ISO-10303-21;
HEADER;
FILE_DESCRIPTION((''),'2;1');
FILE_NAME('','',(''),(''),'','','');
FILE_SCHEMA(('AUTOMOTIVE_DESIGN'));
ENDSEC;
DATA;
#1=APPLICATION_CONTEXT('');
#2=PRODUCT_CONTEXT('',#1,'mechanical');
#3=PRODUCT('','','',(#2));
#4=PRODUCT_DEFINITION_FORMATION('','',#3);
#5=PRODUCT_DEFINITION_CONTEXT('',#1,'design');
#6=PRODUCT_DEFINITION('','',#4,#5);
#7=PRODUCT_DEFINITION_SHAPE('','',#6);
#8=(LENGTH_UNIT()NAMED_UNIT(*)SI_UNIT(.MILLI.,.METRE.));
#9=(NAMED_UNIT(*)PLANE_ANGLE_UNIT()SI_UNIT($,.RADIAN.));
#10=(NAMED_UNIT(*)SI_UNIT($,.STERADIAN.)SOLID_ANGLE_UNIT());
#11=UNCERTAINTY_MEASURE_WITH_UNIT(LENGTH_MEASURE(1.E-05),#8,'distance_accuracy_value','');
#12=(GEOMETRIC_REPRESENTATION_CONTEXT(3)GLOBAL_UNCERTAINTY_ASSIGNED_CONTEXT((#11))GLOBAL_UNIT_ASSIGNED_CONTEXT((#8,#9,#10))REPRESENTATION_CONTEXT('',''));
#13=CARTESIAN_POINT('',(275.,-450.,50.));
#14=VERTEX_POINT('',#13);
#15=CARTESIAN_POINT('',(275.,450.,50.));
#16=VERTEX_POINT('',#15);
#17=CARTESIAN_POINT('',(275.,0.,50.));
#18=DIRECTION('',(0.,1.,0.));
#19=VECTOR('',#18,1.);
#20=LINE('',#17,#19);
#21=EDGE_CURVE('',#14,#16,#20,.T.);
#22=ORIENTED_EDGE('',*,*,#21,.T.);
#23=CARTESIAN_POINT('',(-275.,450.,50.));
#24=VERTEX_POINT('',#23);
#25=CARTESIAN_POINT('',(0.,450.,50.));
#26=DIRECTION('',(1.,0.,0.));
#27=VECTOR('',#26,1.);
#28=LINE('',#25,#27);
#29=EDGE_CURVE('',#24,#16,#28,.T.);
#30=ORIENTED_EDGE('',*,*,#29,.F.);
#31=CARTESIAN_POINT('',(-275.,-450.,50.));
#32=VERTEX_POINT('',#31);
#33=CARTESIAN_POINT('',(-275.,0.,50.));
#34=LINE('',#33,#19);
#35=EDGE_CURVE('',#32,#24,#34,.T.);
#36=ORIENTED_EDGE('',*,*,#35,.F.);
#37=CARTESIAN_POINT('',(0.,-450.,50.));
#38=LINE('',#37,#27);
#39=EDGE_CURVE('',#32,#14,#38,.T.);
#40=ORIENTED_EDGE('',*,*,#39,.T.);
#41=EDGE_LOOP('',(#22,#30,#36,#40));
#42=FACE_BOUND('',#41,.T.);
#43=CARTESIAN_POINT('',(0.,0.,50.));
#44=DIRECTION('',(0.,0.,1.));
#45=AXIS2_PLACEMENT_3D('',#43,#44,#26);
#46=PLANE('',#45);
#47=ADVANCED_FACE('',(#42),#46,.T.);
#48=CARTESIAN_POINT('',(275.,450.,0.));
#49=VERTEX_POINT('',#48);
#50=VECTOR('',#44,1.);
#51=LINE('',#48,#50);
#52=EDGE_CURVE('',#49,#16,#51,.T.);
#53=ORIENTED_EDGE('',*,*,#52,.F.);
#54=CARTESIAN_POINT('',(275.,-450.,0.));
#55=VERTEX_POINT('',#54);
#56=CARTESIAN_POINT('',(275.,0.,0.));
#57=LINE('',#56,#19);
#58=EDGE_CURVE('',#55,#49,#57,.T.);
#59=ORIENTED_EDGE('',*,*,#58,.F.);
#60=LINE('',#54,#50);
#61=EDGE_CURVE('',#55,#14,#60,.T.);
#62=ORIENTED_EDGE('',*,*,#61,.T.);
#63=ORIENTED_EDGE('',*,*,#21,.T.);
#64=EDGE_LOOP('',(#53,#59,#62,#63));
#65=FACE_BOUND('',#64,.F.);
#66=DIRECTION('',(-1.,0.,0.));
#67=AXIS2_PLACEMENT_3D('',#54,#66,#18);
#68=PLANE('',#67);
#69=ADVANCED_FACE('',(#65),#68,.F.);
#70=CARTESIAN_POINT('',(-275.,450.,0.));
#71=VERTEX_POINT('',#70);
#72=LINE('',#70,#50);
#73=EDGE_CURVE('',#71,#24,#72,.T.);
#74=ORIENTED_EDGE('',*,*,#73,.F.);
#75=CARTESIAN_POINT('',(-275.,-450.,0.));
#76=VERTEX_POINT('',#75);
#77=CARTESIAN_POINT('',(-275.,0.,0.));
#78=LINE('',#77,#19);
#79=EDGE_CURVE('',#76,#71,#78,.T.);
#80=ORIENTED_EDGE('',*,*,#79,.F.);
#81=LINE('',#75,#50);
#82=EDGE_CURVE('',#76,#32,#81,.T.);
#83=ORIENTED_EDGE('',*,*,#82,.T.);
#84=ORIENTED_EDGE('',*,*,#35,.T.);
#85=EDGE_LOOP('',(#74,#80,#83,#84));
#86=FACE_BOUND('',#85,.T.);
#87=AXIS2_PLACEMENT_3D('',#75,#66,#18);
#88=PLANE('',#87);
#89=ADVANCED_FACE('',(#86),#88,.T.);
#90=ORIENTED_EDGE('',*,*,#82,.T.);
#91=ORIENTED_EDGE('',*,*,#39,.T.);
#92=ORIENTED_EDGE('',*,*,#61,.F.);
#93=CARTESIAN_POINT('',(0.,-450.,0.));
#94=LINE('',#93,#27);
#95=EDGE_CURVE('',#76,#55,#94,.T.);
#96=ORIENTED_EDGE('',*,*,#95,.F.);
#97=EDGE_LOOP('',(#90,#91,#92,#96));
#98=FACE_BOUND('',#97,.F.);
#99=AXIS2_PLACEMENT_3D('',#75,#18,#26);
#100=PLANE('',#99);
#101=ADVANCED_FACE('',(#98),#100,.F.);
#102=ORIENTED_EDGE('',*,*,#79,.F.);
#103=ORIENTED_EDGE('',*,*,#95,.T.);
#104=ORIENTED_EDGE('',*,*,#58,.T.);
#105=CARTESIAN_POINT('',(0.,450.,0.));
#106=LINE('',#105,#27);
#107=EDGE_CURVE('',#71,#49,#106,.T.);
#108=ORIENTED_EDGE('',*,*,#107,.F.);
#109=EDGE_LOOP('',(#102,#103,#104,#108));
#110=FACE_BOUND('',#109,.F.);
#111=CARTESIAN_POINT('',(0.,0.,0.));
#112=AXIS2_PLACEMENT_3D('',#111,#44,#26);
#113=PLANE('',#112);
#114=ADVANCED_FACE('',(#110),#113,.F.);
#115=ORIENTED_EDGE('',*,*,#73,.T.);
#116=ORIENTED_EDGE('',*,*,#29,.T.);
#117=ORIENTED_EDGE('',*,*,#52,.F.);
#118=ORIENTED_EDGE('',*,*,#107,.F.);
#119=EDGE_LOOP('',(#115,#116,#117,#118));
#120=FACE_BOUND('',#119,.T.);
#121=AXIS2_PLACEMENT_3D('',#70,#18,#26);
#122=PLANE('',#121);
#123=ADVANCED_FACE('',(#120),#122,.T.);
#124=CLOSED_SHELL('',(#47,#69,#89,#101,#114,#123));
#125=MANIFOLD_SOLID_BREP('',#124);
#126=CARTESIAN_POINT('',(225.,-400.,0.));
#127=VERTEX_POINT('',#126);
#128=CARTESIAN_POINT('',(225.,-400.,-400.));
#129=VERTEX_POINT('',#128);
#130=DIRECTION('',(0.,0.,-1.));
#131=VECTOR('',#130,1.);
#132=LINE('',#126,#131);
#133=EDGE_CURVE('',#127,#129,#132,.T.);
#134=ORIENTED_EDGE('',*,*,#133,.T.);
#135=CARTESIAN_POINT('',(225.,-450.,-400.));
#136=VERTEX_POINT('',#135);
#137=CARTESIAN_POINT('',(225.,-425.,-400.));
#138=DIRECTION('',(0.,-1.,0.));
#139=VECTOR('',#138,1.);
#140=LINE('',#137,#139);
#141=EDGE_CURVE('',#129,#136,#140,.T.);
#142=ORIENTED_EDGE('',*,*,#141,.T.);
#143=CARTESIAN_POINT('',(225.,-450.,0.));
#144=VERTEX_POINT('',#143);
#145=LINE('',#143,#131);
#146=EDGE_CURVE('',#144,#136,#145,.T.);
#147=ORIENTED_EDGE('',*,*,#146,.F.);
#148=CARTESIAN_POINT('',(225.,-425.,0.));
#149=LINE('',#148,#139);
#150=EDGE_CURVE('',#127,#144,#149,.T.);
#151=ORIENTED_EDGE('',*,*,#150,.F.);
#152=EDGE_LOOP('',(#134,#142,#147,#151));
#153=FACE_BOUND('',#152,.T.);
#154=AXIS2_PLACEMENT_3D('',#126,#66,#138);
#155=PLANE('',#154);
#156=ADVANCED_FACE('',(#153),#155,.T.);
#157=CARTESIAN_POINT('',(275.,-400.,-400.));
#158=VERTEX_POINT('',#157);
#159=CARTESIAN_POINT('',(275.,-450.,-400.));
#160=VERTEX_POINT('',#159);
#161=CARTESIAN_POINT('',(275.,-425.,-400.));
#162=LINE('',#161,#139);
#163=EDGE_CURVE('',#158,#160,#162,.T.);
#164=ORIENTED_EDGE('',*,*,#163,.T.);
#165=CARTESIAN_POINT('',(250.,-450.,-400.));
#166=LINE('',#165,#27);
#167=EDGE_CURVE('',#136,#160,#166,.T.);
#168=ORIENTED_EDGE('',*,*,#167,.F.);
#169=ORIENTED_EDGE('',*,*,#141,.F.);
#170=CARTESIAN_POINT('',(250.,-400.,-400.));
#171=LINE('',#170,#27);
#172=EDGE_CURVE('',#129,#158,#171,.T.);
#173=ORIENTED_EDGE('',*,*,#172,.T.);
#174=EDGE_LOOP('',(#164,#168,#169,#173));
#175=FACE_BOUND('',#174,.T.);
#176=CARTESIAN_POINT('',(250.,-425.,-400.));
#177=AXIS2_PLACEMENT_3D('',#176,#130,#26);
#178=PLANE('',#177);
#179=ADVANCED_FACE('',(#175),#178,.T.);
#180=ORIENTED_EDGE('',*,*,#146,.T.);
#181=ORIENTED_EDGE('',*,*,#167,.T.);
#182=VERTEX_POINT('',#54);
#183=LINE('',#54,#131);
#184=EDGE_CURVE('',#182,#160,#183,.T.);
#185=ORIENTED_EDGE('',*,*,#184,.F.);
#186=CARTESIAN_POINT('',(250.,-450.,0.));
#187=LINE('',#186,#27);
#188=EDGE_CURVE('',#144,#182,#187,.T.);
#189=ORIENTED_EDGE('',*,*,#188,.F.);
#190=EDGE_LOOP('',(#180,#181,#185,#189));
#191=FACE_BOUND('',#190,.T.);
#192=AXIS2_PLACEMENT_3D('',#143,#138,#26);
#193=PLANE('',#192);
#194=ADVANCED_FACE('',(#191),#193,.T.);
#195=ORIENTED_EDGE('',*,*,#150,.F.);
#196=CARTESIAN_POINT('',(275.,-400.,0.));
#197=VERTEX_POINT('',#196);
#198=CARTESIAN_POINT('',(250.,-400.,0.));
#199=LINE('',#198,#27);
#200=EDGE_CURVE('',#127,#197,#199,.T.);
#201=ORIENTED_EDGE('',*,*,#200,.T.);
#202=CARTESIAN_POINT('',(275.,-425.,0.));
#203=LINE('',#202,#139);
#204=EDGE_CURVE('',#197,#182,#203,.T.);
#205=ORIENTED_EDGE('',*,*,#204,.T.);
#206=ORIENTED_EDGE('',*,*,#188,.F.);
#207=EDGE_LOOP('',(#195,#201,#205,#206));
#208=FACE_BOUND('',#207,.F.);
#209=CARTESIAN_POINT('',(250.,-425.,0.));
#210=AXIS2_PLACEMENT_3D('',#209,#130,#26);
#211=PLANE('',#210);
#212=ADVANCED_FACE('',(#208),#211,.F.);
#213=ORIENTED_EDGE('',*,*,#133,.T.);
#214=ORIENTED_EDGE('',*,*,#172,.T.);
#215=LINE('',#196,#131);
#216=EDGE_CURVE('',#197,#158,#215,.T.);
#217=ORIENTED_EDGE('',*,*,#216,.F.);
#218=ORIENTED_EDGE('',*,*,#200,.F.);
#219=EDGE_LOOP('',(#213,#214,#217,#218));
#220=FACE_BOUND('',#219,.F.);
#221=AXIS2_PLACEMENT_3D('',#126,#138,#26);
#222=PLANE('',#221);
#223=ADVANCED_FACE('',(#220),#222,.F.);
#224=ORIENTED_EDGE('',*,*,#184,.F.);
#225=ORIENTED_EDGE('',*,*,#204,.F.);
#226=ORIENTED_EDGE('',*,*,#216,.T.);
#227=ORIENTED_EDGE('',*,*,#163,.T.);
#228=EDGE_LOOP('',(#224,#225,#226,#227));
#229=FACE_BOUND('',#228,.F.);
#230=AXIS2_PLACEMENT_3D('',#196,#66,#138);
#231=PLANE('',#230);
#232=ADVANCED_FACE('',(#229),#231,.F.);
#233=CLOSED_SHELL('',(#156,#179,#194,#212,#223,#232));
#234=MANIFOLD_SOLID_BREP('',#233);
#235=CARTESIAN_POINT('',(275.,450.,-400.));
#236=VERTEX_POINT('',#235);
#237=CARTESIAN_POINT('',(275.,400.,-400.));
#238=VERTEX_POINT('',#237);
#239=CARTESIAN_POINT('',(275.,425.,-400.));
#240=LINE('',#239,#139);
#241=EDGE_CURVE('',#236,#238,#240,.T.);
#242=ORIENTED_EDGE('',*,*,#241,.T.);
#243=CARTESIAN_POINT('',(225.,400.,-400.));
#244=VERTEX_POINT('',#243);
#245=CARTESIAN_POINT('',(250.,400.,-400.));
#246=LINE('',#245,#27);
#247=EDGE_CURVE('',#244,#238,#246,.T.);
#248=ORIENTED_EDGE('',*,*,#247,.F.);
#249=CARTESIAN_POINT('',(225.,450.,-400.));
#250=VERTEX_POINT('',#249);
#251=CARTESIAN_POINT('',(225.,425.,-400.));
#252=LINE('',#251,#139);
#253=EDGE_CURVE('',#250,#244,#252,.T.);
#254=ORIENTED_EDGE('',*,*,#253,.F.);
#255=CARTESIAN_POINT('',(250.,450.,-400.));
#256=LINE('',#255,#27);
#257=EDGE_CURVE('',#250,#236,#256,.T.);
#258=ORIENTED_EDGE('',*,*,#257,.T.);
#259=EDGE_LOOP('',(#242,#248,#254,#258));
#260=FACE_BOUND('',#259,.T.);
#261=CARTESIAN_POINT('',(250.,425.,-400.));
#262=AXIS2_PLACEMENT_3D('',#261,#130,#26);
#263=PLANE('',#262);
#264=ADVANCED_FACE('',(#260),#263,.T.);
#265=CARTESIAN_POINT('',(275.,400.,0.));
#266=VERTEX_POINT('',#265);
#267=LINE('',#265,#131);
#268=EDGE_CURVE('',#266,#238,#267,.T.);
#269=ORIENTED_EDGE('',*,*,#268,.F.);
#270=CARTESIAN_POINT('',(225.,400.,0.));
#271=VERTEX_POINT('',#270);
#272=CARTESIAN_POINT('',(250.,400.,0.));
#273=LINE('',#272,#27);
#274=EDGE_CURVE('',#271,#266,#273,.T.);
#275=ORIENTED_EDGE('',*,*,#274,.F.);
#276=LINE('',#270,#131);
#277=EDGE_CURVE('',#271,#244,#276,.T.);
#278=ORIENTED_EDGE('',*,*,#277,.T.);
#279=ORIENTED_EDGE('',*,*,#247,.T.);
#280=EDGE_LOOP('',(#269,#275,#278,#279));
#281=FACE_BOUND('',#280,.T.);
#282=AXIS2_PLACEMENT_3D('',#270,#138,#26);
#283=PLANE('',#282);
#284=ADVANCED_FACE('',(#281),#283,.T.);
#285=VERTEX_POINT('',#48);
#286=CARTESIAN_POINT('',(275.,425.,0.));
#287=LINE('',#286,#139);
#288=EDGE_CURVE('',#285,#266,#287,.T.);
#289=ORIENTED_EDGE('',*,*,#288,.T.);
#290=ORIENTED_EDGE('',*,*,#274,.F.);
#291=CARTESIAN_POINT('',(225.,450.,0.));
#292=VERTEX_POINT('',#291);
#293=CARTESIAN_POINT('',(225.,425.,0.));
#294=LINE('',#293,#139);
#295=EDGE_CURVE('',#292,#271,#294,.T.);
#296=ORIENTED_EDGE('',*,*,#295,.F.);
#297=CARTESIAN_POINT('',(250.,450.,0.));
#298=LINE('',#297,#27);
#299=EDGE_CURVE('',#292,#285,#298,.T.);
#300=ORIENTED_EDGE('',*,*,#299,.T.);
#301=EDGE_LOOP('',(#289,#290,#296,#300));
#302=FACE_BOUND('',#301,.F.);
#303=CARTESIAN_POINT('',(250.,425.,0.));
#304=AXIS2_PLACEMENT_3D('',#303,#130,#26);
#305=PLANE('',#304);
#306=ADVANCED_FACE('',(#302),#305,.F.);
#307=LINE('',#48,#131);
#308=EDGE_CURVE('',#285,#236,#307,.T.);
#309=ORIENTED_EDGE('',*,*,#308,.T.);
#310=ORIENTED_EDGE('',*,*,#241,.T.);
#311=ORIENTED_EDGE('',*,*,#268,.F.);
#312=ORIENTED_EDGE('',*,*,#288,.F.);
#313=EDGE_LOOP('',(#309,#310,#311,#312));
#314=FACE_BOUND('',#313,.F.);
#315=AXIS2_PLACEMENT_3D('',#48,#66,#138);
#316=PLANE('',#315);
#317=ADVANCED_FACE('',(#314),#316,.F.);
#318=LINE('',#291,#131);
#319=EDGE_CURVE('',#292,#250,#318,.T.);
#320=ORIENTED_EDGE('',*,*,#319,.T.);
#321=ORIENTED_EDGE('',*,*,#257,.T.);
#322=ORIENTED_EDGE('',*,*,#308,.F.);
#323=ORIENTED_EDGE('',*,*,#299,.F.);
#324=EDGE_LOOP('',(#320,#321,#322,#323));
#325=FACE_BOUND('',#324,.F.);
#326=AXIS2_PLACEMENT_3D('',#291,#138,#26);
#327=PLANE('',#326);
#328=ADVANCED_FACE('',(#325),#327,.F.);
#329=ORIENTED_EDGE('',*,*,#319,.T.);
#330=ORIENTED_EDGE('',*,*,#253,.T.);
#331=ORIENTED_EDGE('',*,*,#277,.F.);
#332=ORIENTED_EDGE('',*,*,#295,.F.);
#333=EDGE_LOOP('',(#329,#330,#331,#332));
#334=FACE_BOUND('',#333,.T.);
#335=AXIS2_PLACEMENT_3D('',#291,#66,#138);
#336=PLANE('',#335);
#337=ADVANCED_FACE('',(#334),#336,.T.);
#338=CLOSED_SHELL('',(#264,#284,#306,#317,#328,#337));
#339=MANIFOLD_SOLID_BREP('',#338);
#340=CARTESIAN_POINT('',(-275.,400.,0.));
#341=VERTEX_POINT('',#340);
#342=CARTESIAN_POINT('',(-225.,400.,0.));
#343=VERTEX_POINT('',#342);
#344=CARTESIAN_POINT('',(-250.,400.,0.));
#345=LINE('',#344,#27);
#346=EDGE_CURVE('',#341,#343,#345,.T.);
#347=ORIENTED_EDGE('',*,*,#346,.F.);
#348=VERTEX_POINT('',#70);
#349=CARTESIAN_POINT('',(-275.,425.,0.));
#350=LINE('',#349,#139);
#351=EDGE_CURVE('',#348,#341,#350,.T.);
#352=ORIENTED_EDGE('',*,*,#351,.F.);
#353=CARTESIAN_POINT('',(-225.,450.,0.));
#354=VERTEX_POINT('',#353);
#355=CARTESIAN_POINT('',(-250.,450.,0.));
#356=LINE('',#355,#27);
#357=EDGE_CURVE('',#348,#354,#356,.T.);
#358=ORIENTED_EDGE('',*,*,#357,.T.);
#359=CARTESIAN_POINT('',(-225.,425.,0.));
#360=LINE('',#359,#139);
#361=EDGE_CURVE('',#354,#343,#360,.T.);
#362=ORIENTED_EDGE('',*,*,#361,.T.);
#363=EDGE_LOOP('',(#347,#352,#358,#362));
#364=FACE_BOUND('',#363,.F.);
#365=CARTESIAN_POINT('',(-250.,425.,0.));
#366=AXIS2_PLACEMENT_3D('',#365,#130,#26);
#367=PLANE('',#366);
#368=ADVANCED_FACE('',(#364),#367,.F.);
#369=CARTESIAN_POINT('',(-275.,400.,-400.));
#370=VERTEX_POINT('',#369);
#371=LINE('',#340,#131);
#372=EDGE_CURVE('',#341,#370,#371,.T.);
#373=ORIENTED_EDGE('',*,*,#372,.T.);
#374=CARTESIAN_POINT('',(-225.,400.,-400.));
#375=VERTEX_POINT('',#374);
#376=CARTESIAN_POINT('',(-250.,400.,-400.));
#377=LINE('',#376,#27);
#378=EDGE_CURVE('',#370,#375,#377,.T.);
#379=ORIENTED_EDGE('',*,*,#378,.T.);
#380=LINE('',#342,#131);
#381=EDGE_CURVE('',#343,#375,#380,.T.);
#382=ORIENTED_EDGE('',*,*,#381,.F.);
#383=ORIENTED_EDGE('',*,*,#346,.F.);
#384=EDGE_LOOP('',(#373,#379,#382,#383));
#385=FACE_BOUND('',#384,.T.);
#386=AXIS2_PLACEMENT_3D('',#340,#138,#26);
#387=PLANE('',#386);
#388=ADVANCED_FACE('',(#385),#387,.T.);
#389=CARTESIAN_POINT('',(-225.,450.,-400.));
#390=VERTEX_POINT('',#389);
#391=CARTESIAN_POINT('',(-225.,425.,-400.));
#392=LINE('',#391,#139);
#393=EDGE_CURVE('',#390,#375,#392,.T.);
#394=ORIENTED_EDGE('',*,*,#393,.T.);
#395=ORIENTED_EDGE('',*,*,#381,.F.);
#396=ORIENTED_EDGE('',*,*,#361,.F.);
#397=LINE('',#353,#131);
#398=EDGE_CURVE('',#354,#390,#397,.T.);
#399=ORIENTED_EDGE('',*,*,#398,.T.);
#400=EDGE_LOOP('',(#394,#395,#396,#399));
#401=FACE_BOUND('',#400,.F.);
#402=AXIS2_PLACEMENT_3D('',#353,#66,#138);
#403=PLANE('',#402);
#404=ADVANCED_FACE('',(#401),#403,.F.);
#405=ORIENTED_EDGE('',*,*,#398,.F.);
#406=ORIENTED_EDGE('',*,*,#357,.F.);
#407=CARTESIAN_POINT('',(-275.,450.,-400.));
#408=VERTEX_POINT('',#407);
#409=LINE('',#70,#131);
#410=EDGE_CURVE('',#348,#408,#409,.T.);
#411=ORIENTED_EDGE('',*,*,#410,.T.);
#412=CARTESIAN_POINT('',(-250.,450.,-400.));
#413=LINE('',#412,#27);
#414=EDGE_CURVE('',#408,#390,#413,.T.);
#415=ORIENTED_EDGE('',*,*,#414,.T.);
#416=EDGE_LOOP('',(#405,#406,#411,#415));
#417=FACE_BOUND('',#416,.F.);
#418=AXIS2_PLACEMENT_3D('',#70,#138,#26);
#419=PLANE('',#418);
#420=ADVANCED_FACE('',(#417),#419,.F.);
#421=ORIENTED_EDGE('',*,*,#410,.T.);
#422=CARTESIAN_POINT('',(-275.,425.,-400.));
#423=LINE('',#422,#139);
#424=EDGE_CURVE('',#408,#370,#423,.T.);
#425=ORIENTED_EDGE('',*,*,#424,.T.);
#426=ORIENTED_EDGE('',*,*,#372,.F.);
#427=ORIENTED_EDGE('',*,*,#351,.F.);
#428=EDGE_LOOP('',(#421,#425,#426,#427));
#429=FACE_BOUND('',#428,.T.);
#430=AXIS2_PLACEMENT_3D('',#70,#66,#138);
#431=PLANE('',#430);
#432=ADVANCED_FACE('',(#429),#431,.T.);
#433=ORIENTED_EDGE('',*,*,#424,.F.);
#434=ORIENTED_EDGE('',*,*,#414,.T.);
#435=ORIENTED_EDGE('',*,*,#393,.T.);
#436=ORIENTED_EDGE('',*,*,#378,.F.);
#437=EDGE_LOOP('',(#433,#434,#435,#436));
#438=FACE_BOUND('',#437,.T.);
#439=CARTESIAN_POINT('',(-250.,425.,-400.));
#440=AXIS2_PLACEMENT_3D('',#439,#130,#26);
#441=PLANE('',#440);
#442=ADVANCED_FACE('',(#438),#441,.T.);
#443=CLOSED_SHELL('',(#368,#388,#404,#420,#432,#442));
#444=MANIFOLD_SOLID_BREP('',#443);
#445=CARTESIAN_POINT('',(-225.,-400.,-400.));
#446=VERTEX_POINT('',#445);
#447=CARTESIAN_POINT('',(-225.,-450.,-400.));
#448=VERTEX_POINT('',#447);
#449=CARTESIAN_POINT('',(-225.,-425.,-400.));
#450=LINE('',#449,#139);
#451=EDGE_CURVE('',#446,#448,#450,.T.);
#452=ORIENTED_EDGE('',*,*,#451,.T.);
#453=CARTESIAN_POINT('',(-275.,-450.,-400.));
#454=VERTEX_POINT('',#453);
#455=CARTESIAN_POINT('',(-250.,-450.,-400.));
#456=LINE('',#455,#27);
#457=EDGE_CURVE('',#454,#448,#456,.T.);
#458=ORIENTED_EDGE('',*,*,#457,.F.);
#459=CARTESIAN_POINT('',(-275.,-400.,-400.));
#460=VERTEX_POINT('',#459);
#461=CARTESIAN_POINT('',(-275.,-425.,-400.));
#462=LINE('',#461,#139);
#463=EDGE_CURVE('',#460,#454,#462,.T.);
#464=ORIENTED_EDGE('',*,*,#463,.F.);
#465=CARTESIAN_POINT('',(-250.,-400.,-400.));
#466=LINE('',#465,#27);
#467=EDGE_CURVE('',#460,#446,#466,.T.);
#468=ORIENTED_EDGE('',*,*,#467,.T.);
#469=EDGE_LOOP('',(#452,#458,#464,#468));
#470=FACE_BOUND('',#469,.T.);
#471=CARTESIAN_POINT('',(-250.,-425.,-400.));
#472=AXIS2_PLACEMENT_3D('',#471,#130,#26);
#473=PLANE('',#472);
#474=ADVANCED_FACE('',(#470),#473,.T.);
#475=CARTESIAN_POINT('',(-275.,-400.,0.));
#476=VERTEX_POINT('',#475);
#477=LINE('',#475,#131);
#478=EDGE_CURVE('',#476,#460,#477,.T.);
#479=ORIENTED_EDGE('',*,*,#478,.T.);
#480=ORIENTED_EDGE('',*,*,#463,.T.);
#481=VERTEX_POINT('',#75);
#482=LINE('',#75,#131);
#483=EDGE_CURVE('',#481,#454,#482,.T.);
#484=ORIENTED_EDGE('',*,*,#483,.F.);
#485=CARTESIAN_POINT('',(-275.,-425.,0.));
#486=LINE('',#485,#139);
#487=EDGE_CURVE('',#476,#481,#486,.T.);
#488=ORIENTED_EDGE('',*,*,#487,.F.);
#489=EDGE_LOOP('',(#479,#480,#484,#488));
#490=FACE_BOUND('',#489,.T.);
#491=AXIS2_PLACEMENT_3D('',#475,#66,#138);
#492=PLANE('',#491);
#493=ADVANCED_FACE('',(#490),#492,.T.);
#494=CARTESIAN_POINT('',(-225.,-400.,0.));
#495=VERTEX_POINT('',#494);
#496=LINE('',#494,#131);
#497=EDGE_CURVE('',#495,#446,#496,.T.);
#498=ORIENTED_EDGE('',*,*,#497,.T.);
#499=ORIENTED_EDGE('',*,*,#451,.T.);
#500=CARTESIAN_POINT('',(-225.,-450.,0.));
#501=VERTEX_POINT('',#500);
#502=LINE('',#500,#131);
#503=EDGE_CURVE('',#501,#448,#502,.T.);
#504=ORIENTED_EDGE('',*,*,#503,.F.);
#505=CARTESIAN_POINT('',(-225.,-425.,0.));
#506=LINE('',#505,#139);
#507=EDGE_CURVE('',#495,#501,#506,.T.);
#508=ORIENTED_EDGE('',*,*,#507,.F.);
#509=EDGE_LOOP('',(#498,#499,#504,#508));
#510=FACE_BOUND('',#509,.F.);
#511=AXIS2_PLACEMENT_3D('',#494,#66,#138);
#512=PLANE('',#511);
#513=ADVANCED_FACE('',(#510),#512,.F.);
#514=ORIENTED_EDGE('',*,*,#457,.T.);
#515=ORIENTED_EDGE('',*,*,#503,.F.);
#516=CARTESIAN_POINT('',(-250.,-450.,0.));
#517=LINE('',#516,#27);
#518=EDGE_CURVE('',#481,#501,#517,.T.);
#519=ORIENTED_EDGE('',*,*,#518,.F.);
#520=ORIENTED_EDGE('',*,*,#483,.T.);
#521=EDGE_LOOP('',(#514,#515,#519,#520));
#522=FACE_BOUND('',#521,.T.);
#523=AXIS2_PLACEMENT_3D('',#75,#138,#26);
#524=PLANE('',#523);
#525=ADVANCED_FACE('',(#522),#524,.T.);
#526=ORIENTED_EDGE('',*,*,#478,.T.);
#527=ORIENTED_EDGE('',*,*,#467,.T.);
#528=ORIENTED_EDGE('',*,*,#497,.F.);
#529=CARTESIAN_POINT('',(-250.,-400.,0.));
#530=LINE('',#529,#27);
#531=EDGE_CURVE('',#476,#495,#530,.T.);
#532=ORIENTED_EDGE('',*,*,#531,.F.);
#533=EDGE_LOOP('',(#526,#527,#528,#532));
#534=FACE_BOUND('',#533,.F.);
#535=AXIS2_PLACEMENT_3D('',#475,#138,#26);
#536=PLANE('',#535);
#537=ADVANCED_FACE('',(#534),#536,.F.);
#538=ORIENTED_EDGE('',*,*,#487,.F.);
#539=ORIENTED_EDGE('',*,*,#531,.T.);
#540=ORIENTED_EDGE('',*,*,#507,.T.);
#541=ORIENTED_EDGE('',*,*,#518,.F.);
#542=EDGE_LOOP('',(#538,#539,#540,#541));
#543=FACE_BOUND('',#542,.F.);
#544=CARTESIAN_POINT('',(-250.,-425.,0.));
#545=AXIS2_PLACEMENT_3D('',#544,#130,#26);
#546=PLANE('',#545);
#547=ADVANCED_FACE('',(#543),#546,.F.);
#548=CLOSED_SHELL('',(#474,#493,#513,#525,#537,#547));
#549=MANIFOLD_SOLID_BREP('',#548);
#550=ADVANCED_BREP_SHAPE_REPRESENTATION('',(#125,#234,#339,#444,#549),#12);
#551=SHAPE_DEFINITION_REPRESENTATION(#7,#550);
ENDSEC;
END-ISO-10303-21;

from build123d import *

# Parameters (mm, degrees)
F0_W     = 550
F0_H     = 900
F1_DEPTH = 50
F2_W     = 50
F2_H     = 50
F3_DEPTH = 400


with BuildPart() as f1:
    # F0 (on Top) → F1 (new body)
    with BuildSketch(Plane.XY):
        Rectangle(F0_W, F0_H)
    extrude(amount=F1_DEPTH)


with BuildPart() as f3:
    # F2 (on face) → F3 (new body)
    with BuildSketch(Plane(origin=(0, 0, 0), x_dir=(1, 0, 0), z_dir=(0, 0, -1))):
        with Locations((-250, 425)):
            Rectangle(F2_W, F2_H)
        with Locations((-250, -425)):
            Rectangle(F2_W, F2_H)
        with Locations((250, -425)):
            Rectangle(F2_W, F2_H)
        with Locations((250, 425)):
            Rectangle(F2_W, F2_H)
    extrude(amount=F3_DEPTH)


solid = Compound([f1.part, f3.part])
